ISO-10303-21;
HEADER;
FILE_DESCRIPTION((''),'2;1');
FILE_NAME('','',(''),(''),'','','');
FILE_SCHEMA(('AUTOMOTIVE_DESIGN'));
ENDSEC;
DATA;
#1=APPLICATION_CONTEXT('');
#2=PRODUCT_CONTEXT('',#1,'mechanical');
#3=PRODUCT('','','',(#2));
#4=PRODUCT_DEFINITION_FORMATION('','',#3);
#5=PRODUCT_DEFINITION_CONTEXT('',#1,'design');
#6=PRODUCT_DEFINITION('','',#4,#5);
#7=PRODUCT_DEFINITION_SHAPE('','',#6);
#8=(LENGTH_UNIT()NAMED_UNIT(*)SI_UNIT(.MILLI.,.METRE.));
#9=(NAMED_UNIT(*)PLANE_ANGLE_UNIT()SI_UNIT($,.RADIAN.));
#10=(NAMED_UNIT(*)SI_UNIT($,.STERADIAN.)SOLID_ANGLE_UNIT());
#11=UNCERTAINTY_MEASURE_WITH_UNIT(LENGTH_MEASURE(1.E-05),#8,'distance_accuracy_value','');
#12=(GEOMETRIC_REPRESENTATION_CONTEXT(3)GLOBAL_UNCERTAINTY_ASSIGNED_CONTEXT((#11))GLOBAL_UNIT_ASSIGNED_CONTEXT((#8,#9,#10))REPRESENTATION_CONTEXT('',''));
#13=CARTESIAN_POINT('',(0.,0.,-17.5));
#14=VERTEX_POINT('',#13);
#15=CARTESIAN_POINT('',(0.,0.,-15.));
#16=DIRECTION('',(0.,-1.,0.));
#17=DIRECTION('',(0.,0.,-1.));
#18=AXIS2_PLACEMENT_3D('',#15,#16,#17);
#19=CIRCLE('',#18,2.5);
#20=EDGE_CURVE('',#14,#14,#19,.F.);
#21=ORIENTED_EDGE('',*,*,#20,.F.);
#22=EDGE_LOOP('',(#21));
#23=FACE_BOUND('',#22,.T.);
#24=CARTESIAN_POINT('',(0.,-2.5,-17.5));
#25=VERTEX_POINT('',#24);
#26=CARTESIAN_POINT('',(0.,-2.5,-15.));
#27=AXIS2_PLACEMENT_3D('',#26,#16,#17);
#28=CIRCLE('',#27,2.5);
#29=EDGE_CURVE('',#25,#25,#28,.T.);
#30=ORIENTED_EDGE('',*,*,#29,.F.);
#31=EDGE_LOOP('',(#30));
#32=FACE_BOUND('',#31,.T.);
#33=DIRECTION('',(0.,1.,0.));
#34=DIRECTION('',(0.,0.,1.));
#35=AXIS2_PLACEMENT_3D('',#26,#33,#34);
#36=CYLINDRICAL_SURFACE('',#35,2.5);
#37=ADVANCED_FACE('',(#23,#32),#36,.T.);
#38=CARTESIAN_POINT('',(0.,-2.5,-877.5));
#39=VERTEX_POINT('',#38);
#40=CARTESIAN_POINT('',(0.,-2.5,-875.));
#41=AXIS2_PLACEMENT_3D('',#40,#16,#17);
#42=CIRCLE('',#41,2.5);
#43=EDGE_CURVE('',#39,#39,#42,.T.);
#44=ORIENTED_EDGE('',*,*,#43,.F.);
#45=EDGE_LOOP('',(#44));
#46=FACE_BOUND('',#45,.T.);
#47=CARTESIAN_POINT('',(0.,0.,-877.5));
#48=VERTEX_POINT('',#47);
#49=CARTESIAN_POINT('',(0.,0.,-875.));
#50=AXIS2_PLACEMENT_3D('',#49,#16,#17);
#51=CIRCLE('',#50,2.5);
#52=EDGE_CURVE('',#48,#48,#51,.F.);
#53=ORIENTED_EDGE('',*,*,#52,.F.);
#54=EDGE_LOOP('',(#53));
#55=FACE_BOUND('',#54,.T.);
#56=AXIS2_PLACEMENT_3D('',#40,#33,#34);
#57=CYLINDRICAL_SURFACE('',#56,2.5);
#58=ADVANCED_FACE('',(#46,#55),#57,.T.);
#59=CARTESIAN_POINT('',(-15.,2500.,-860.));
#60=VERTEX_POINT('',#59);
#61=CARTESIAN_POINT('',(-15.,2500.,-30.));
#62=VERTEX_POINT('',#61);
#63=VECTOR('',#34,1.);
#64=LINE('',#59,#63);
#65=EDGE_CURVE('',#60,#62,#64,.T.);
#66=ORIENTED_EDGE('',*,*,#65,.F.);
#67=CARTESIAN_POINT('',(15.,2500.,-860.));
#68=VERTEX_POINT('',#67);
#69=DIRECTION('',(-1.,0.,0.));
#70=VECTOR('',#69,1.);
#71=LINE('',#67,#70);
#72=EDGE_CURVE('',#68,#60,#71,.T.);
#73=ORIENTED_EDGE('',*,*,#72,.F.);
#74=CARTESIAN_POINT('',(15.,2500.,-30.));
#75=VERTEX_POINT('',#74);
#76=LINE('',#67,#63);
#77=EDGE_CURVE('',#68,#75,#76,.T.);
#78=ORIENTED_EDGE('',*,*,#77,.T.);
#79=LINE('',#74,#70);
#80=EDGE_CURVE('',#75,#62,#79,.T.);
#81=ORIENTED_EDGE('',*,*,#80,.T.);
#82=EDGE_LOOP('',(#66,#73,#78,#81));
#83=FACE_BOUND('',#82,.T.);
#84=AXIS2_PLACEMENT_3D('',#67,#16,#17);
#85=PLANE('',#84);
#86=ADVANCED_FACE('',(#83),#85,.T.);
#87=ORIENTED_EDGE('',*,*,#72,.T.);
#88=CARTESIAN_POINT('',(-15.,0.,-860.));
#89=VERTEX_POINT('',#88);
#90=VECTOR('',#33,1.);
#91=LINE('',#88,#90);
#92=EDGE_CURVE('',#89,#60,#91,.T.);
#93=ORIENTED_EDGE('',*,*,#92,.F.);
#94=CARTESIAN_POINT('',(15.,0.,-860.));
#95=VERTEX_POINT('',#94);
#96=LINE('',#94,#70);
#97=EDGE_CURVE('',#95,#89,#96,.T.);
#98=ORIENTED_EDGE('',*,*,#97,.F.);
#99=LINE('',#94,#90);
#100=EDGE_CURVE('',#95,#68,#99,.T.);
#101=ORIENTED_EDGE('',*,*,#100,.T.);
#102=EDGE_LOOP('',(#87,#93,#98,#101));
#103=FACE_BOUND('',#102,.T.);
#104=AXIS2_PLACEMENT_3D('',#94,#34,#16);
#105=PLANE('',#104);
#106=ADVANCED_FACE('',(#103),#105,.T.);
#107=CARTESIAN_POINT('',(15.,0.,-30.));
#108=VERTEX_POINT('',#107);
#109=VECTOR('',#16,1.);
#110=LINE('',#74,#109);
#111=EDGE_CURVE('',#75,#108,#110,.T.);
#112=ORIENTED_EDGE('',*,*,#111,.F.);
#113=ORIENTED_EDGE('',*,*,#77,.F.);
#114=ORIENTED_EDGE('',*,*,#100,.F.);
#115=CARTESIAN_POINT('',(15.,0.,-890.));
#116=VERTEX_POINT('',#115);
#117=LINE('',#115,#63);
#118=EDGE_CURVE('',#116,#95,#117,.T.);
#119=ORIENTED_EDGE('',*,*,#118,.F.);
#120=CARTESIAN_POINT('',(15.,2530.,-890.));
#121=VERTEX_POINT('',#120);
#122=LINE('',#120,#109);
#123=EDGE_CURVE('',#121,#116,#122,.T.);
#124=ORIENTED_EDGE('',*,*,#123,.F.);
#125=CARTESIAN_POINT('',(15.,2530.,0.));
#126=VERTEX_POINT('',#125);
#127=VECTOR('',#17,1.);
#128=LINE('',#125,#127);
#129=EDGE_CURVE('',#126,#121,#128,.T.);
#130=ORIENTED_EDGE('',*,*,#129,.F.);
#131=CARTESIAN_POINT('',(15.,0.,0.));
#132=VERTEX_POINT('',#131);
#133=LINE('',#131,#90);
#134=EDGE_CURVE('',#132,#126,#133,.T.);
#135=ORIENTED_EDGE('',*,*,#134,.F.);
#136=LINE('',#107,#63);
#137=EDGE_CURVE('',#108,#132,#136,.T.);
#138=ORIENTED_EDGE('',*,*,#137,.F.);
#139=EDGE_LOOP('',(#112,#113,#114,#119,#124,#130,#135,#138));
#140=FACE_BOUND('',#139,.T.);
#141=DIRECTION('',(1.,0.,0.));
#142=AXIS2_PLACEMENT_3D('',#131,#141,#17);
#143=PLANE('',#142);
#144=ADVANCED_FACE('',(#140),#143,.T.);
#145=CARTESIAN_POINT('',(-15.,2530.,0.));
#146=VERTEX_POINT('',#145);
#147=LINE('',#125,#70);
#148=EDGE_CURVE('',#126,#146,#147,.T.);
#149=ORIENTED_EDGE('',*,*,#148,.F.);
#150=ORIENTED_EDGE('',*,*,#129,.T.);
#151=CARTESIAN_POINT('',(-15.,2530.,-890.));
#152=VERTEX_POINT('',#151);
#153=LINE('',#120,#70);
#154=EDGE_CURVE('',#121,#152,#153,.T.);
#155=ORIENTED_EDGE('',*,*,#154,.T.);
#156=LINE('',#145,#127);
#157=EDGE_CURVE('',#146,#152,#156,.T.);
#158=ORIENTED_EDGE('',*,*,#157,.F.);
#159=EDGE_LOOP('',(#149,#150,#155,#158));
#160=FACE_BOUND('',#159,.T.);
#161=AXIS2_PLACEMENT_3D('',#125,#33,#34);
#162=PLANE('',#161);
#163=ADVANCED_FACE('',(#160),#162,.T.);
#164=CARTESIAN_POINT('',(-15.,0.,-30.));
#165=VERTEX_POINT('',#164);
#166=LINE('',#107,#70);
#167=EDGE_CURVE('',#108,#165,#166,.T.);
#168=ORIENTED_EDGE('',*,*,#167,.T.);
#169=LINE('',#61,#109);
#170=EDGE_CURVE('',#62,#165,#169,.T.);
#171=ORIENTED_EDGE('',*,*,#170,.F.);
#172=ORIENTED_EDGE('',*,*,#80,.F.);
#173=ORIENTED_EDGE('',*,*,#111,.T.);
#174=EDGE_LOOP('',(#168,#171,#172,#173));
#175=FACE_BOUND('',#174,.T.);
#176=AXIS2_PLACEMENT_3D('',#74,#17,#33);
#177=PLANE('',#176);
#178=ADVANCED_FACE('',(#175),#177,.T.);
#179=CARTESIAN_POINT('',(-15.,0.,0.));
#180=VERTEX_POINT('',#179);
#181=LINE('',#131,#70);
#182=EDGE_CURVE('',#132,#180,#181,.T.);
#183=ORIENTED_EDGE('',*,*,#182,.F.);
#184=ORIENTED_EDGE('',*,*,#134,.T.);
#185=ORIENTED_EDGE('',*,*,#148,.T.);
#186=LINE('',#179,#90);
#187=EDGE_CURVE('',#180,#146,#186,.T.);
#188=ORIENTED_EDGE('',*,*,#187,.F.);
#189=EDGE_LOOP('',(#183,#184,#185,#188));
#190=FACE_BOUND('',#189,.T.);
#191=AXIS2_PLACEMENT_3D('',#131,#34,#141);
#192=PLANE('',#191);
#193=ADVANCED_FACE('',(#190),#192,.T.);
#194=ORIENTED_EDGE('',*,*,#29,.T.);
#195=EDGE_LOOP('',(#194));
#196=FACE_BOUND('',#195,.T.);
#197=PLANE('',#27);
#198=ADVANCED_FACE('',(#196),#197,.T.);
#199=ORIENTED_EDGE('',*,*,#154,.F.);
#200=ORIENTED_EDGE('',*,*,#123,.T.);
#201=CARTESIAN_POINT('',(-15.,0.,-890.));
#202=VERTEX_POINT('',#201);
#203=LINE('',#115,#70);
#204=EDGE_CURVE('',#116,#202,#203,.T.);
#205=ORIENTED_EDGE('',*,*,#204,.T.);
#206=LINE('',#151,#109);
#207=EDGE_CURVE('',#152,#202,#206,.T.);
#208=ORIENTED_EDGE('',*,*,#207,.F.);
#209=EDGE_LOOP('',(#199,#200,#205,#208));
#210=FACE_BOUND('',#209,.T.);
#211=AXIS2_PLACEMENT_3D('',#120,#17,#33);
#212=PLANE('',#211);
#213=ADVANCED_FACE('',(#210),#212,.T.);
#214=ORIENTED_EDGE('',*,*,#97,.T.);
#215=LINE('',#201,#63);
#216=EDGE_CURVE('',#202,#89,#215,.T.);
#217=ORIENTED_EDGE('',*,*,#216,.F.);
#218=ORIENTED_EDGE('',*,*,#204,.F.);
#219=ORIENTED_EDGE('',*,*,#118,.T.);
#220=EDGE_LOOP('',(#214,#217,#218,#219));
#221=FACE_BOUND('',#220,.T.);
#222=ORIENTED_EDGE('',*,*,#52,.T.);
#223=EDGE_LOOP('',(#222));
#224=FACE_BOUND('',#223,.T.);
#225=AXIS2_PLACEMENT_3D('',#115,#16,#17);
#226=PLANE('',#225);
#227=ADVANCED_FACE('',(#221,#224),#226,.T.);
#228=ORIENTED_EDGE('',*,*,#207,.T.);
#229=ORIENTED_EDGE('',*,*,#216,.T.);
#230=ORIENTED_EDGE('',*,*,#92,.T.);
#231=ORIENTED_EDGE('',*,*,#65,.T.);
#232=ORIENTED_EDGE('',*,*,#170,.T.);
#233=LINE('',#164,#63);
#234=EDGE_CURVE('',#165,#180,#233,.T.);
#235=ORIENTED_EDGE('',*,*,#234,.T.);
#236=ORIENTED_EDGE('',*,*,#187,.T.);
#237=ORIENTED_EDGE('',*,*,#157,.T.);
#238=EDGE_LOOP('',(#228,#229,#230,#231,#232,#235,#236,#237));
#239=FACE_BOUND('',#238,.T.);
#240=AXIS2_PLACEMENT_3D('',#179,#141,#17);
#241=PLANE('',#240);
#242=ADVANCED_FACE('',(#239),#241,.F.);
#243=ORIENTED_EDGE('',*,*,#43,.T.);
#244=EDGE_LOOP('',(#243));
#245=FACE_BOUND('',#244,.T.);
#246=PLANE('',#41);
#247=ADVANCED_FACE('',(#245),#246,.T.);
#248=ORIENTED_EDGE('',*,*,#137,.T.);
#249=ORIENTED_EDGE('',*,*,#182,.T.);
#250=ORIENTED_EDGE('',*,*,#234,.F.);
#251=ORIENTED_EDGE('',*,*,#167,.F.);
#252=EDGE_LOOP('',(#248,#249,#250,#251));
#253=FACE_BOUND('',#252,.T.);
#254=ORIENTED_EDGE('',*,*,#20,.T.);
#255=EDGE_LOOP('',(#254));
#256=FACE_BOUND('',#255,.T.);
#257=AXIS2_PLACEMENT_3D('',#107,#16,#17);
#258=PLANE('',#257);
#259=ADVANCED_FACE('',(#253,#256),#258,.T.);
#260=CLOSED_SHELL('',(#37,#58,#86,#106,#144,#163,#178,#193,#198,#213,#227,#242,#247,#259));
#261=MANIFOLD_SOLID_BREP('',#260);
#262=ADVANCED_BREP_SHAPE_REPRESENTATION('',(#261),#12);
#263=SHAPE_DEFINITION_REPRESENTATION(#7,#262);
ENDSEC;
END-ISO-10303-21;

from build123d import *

# Parameters (mm, degrees)
BOSS_EXTRUDE1_DEPTH = 15
SKETCH5_R           = 2.5
BOSS_EXTRUDE3_DEPTH = 2.5


with BuildPart() as part:
    # Sketch2 → Boss-Extrude1 (new body, symmetric)
    with BuildSketch(Plane(origin=(0, 0, 0), x_dir=(0, 0, -1), z_dir=(1, 0, 0))):
        Polygon((0, 0), (0, 2530), (890, 2530), (890, 0), (860, 0), (860, 2500), (30, 2500), (30, 0), align=None)
    extrude(amount=BOSS_EXTRUDE1_DEPTH, both=True)

    # Sketch5 → Boss-Extrude3 (add, symmetric)
    with BuildSketch(Plane.XZ):
        with Locations((0, -15)):
            Circle(SKETCH5_R)
        with Locations((0, -875)):
            Circle(SKETCH5_R)
    extrude(amount=BOSS_EXTRUDE3_DEPTH, both=True)


solid = part.part
